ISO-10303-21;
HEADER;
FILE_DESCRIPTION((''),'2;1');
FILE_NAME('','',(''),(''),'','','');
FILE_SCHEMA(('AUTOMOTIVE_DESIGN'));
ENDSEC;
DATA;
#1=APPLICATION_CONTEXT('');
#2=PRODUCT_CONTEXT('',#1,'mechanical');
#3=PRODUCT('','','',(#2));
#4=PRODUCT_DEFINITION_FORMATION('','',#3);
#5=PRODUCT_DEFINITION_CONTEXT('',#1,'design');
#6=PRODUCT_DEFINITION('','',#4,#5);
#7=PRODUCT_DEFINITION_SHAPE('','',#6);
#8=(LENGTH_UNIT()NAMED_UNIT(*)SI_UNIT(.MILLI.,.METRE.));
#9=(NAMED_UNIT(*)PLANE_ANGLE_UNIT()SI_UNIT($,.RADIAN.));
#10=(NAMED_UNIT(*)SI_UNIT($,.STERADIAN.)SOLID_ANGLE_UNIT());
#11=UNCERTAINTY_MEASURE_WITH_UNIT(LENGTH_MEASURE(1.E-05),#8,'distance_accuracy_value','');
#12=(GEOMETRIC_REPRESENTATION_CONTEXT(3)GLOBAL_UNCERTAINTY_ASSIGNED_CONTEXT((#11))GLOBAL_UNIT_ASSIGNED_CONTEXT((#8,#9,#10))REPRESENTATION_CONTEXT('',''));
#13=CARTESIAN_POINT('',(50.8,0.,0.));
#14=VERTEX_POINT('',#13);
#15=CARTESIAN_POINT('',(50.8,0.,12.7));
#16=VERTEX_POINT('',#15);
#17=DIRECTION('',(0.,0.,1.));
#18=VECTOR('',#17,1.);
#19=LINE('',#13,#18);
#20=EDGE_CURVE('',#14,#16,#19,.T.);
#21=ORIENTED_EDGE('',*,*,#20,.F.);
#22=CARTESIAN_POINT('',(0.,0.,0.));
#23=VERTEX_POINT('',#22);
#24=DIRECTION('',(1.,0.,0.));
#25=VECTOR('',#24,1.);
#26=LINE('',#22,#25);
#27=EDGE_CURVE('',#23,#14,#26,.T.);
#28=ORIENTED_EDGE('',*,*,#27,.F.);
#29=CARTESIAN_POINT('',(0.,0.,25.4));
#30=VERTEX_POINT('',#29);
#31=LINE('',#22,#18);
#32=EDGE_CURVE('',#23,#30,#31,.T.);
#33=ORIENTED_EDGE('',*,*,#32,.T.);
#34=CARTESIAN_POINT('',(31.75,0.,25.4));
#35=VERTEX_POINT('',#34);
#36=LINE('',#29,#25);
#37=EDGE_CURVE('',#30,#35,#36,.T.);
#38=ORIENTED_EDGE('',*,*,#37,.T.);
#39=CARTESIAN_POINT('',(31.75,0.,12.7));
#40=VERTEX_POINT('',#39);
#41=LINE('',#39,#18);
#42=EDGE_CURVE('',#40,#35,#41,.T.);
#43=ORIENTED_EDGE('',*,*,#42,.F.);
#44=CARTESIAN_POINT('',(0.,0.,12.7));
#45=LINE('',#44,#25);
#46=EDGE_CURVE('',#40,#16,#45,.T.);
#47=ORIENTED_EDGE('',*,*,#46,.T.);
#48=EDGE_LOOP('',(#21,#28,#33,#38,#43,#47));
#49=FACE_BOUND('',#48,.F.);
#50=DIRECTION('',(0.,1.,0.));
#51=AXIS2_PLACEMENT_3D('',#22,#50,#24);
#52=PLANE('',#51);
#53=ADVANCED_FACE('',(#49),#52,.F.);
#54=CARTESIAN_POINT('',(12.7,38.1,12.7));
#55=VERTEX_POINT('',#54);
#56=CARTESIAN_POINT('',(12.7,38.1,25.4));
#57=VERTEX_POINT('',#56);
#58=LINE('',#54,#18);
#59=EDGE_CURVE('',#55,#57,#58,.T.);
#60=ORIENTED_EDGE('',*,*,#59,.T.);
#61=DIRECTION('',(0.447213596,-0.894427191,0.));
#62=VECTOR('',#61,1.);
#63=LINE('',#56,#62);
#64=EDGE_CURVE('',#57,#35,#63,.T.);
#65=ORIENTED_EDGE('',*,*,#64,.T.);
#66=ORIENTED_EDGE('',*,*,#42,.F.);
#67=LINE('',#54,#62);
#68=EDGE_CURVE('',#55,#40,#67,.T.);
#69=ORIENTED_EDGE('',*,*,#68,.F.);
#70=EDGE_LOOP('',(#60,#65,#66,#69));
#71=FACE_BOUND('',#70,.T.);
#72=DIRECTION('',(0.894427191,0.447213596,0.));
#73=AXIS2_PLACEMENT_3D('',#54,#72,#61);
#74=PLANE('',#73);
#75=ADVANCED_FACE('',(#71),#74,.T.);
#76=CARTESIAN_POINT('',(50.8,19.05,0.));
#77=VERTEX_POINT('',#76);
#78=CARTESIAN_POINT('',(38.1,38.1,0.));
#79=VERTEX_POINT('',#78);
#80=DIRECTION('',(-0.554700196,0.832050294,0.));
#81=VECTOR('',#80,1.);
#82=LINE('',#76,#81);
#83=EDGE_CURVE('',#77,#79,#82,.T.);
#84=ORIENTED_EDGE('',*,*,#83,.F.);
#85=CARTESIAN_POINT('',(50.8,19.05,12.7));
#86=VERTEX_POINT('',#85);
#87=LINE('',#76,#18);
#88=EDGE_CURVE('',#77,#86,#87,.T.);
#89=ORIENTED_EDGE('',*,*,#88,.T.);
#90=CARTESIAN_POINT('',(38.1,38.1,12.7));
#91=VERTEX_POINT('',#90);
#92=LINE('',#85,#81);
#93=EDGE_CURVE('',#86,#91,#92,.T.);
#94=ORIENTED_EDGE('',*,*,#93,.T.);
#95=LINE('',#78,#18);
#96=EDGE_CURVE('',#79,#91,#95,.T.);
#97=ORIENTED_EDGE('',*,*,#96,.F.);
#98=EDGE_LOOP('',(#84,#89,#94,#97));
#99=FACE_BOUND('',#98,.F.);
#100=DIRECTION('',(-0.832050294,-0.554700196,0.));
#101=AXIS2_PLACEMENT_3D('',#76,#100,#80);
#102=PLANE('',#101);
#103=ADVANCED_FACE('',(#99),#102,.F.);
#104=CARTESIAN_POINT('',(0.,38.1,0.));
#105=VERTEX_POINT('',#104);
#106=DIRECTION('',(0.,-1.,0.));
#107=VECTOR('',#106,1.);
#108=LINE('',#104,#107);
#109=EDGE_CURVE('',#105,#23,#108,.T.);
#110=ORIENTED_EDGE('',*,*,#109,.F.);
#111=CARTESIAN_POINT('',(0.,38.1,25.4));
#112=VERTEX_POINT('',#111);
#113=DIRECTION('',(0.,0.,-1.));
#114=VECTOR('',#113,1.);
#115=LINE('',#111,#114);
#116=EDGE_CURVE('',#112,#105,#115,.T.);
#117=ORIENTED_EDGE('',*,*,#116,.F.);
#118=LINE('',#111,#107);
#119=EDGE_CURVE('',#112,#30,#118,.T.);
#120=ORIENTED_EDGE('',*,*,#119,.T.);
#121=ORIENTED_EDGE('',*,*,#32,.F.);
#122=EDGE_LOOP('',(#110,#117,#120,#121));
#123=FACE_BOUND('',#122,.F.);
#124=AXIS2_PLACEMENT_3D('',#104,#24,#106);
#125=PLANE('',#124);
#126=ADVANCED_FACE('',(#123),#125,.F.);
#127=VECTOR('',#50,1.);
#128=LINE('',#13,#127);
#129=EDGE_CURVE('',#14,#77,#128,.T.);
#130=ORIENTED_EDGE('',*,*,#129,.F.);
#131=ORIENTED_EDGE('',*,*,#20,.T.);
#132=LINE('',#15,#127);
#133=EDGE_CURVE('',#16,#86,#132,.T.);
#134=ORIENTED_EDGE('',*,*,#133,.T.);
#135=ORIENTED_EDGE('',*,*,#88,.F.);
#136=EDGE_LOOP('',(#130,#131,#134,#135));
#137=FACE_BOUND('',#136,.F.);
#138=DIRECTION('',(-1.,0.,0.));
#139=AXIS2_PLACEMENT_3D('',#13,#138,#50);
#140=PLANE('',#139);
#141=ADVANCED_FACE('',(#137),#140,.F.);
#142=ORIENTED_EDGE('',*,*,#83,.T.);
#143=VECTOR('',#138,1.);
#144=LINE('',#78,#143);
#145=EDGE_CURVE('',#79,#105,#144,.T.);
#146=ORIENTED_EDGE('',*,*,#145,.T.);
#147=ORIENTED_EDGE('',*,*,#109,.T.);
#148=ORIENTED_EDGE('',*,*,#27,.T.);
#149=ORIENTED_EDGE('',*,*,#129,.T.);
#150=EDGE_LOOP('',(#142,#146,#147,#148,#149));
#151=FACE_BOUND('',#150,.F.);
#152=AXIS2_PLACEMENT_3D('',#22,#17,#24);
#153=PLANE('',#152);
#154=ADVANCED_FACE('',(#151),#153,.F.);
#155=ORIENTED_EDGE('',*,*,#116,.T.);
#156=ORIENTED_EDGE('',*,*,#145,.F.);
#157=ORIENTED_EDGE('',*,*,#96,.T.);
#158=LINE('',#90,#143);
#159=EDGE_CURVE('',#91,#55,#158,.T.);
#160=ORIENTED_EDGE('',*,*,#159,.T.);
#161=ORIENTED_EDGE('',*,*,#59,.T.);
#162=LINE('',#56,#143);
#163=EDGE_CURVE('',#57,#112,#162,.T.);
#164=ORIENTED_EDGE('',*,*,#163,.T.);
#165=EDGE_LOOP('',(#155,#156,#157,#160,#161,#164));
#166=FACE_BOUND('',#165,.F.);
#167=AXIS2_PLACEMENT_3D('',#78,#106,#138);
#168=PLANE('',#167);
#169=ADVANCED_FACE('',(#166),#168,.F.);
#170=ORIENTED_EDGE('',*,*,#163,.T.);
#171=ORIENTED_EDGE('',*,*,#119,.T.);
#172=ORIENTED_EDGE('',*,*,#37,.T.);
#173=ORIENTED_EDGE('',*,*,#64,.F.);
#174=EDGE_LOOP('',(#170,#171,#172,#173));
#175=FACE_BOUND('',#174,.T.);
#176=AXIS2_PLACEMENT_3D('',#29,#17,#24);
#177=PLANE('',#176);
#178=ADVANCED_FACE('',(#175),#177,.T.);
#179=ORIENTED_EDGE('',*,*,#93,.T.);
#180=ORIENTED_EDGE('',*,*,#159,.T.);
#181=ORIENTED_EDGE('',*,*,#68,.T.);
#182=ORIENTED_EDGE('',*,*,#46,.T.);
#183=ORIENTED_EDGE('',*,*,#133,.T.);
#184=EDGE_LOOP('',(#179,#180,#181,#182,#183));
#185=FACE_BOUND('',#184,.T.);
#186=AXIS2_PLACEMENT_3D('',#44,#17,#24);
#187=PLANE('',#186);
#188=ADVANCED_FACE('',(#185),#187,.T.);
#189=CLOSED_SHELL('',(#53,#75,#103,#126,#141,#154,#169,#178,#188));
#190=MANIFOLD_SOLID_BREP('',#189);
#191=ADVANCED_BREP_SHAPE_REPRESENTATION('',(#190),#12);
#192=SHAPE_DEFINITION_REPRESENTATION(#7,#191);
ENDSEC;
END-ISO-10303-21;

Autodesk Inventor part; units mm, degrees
ref_plane "YZ Plane" through (0, 0, 0) normal (1, 0, 0) x (0, 1, 0)
ref_plane "XZ Plane" through (0, 0, 0) normal (0, 1, 0) x (-1, 0, 0)
ref_plane "XY Plane" through (0, 0, 0) normal (0, 0, 1) x (1, 0, 0)
sketch "Sketch1" plane through (0, 0, 0) normal (0, 0, 1) x (1, 0, 0)
  line L0 (0, 0) -> (50.8, 0)
  line L1 (38.1, 38.1) -> (0, 38.1)
  line L2 (0, 38.1) -> (0, 0)
  line L3 (50.8, 0) -> (50.8, 19.05)
  line L4 (50.8, 19.05) -> (38.1, 38.1)
  dimension "d0" = 38.1
  dimension "d1" = 50.8
  dimension "d2" = 38.1
  dimension "d3" = 19.05
extrude "Extrusion1" add sketch "Sketch1" along normal blind 12.7
sketch "Sketch2" plane through (0, 0, 12.7) normal (0, 0, 1) x (1, 0, 0)
  line L0 (0, 38.1) -> (0, 0)
  line L1 (0, 0) -> (31.75, 0)
  line L2 (12.7, 38.1) -> (31.75, 0)
  line L3 (12.7, 38.1) -> (0, 38.1)
  dimension "d6" = 12.7
  dimension "d7" = 31.75
extrude "Extrusion2" add sketch "Sketch2" along normal blind 12.7
properties part number "6.7 p4"
